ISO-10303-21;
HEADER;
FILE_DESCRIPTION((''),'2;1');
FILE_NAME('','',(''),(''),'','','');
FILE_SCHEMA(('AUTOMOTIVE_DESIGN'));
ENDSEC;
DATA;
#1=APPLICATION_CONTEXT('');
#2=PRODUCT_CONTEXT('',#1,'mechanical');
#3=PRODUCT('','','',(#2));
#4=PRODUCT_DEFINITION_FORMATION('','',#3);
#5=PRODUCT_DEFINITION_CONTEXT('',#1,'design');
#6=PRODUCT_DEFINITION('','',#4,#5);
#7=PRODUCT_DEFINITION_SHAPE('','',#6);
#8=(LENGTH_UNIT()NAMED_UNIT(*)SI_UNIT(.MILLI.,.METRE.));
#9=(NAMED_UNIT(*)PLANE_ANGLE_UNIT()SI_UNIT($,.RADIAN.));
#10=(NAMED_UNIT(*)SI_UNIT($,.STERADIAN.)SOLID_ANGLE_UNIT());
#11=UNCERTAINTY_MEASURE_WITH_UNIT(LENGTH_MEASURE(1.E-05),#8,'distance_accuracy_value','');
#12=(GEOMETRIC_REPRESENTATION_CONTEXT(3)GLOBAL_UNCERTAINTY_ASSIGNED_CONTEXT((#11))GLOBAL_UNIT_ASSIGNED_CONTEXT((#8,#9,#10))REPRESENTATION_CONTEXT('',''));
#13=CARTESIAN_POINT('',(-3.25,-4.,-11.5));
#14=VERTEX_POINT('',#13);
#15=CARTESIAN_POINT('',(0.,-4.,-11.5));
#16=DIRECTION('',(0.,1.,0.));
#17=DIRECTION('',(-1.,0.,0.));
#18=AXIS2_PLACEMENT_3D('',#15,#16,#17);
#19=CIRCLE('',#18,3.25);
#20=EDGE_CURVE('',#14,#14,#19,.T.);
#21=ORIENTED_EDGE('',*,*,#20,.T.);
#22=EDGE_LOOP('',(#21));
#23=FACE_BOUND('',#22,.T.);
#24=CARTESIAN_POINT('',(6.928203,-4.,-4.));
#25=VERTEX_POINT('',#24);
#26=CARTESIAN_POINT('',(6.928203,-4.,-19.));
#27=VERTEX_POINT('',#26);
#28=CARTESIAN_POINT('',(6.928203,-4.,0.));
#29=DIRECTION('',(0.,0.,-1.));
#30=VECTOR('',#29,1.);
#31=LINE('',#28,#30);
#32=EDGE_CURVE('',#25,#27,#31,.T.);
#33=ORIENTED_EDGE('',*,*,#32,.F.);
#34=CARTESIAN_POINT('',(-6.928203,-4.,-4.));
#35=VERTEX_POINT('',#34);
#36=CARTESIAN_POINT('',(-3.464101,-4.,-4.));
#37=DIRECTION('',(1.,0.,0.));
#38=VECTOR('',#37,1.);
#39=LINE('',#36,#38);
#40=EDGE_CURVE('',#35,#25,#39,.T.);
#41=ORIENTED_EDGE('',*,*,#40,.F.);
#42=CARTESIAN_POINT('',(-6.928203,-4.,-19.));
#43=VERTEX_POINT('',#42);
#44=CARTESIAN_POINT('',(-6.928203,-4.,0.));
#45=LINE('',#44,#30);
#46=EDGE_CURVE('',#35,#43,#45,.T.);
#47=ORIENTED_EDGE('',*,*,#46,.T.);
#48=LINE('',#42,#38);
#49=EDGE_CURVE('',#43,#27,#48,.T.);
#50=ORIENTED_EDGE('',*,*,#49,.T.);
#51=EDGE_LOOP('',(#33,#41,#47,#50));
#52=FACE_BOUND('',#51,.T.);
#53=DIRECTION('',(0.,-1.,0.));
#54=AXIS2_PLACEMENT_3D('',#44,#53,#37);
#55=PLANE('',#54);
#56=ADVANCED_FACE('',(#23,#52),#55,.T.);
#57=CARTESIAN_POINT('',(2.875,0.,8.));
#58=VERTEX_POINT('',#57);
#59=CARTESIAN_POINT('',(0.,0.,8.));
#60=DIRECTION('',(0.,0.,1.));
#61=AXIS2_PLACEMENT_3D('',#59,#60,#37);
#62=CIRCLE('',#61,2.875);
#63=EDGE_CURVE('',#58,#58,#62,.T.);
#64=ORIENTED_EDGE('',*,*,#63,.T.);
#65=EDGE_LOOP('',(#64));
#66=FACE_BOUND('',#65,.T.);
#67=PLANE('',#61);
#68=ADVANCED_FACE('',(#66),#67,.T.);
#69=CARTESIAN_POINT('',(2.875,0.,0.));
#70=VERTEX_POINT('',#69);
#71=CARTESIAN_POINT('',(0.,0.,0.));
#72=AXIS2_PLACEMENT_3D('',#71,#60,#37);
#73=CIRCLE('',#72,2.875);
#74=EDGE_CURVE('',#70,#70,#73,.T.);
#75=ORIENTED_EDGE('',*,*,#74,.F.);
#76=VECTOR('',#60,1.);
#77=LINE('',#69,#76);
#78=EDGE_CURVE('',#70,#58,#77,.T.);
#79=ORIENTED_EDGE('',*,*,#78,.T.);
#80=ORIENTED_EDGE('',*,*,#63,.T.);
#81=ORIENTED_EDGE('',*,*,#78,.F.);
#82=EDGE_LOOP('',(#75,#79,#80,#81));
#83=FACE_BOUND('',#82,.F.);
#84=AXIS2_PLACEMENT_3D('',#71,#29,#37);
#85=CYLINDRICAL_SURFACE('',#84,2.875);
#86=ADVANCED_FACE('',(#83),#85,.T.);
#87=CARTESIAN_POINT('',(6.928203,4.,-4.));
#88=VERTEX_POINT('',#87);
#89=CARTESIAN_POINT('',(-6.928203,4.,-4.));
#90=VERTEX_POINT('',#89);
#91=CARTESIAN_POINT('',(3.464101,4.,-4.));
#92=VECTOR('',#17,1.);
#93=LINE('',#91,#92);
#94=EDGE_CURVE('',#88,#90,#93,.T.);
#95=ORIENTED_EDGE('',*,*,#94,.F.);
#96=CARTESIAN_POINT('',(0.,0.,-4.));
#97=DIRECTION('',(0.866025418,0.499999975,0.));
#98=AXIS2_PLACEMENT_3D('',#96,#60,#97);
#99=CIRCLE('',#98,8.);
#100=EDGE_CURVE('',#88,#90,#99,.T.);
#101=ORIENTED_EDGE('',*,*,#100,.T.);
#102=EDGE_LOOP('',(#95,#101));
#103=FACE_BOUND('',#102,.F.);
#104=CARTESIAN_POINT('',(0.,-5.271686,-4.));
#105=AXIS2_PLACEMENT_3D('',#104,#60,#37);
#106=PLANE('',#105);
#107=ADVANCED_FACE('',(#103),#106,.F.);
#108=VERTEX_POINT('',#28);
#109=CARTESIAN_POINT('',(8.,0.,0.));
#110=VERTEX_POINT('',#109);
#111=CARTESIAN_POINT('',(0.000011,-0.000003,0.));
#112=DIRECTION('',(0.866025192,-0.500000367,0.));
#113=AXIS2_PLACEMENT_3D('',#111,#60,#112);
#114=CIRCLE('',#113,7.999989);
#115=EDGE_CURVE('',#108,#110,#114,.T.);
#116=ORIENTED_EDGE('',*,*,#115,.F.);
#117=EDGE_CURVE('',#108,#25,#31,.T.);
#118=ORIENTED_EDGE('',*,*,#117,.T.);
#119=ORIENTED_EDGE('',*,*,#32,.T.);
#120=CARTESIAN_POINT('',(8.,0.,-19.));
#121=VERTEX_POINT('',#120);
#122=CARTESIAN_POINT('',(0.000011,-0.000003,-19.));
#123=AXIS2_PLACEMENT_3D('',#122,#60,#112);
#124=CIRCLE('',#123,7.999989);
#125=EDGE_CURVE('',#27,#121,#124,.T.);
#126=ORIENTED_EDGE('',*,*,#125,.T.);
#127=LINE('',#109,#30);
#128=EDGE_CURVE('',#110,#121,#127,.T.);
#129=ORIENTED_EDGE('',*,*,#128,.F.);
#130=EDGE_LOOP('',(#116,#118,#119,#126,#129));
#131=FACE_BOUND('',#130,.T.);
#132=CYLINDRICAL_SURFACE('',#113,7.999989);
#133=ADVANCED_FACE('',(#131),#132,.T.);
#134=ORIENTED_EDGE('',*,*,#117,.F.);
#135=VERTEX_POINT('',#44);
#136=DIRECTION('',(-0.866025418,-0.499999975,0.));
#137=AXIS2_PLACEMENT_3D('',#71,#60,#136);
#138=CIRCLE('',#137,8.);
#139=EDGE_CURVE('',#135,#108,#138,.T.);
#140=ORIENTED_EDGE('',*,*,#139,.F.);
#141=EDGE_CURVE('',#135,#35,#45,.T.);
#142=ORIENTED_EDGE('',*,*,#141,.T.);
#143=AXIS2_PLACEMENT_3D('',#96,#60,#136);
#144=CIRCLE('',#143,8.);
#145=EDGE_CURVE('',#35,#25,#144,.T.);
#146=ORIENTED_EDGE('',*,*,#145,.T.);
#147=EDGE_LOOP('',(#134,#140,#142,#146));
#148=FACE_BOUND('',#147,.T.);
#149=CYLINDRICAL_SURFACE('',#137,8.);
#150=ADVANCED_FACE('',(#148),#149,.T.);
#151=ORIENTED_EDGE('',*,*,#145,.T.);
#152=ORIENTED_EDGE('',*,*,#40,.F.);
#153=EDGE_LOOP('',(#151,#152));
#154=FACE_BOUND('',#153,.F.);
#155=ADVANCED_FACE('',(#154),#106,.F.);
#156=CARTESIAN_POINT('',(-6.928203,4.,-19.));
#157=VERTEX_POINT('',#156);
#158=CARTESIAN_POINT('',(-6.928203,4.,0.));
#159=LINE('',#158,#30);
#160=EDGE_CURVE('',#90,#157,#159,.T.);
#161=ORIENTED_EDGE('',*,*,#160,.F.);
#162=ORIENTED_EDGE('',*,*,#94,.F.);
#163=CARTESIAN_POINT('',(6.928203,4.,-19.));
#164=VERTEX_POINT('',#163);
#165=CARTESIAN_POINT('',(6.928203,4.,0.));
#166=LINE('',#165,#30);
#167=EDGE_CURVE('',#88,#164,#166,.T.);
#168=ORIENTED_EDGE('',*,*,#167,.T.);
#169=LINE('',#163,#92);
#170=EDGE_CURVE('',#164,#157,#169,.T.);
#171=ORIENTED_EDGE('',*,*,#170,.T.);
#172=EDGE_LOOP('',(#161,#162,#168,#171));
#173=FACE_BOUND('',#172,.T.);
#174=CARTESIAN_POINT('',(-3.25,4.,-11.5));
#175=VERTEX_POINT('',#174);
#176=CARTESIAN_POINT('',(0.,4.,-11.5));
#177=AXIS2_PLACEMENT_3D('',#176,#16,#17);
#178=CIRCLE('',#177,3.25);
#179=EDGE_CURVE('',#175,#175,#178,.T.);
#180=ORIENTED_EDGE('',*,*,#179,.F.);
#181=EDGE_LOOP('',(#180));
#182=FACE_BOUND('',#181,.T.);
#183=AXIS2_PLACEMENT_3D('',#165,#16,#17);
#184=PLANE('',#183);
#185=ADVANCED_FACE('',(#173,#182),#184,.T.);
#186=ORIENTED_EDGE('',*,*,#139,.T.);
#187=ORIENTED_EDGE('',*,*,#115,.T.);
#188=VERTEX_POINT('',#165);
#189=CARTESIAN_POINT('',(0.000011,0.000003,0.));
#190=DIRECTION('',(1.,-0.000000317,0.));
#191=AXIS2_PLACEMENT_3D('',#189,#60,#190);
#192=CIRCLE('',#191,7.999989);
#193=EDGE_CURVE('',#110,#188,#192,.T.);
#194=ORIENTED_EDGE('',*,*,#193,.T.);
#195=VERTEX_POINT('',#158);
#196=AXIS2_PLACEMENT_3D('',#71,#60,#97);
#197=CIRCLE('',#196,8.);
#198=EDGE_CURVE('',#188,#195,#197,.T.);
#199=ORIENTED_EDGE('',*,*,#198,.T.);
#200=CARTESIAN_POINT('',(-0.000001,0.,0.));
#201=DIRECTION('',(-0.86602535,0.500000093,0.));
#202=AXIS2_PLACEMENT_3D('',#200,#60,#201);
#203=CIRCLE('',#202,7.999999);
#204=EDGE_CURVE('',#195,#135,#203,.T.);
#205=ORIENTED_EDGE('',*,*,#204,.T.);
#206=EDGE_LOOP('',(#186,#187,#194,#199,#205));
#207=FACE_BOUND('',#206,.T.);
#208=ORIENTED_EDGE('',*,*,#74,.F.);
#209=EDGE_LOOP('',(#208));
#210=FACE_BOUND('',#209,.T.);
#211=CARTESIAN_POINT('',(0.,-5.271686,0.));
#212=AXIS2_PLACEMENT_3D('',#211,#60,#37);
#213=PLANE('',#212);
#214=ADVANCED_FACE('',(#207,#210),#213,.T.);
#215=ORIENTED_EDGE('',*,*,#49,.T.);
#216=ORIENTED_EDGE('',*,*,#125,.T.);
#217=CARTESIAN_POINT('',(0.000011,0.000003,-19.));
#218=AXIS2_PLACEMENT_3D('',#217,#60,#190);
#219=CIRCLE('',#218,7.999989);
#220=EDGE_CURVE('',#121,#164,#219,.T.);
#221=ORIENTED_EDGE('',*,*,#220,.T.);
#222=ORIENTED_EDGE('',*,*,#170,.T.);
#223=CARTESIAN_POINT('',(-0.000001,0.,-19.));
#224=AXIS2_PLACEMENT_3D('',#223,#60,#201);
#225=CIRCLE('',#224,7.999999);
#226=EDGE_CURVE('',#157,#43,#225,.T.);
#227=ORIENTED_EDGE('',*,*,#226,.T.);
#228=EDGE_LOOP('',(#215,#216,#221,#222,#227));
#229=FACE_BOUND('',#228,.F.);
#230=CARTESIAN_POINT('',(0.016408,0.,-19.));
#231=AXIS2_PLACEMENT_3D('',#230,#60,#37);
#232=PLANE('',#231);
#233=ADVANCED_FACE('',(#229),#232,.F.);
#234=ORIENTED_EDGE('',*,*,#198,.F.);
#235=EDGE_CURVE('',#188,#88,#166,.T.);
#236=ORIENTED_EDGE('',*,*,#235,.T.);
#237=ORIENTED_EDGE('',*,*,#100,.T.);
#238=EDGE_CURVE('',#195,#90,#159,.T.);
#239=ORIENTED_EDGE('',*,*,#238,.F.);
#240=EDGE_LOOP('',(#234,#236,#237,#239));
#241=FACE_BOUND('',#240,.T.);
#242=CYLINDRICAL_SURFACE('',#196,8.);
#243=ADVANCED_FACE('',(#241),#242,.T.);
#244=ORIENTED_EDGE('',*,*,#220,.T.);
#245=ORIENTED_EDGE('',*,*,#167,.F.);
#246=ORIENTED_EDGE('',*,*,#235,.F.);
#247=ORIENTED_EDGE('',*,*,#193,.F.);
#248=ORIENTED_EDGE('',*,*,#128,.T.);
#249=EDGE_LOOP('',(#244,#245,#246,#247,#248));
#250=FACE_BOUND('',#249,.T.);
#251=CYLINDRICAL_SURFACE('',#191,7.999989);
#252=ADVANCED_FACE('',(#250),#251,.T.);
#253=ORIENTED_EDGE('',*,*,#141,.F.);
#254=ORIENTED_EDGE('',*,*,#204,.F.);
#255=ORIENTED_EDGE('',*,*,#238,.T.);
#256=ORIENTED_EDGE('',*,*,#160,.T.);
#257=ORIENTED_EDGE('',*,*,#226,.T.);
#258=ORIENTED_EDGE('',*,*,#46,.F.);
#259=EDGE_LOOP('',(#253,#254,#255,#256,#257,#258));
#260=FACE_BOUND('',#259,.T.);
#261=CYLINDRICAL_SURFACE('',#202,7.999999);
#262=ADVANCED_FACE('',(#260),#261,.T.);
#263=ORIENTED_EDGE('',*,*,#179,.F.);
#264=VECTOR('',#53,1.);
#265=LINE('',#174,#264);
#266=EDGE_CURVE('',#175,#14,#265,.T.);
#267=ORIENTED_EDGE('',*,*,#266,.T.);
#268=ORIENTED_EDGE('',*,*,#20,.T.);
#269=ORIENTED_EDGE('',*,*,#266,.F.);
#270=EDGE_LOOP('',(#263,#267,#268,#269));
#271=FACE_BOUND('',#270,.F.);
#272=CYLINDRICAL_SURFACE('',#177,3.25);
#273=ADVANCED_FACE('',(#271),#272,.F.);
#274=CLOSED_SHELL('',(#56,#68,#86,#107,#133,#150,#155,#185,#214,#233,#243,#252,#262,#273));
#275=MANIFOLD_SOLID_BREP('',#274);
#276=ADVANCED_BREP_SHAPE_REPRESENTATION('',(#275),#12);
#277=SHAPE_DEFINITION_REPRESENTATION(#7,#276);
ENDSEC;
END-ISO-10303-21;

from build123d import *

# Parameters (mm, degrees)
F0_R     = 2.875
F1_DEPTH = 8
F2_DEPTH = 4
F3_DEPTH = 19
F4_R     = 3.25
F5_DEPTH = 25


with BuildPart() as f1:
    # F0 (on Top) → F1 (new body)
    with BuildSketch(Plane.XY):
        Circle(F0_R)
    extrude(amount=F1_DEPTH)

    # F0 (on Top) → F2 (join)
    with BuildSketch(Plane.XY):
        with BuildLine():
            ThreePointArc((-6.928203, -4), (0, -8), (6.928203, -4))
            Line((6.928203, -4), (-6.928203, -4))
        make_face()
        with BuildLine():
            Line((-6.928203, 4), (6.928203, 4))
            ThreePointArc((6.928203, 4), (0, 8), (-6.928203, 4))
        make_face()
        with BuildLine():
            ThreePointArc((6.928203, -4), (7.727407, -2.070552), (8, 0))
            ThreePointArc((8, 0), (7.727407, 2.070552), (6.928203, 4))
            Line((6.928203, 4), (-6.928203, 4))
            ThreePointArc((-6.928203, 4), (-8, 0), (-6.928203, -4))
            Line((-6.928203, -4), (6.928203, -4))
        make_face()
        Circle(F0_R, mode=Mode.SUBTRACT)
        Circle(F0_R)
    extrude(amount=-F2_DEPTH)

    # F0 (on Top) → F3 (join)
    with BuildSketch(Plane.XY):
        with BuildLine():
            ThreePointArc((6.928203, -4), (7.727407, -2.070552), (8, 0))
            ThreePointArc((8, 0), (7.727407, 2.070552), (6.928203, 4))
            Line((6.928203, 4), (-6.928203, 4))
            ThreePointArc((-6.928203, 4), (-8, 0), (-6.928203, -4))
            Line((-6.928203, -4), (6.928203, -4))
        make_face()
        Circle(F0_R, mode=Mode.SUBTRACT)
        Circle(F0_R)
    extrude(amount=-F3_DEPTH)

    # F4 (on face) → F5 (cut)
    with BuildSketch(Plane(origin=(0, 4, 0), x_dir=(-1, 0, 0), z_dir=(0, 1, 0))):
        with Locations((0, -11.5)):
            Circle(F4_R)
    extrude(amount=-F5_DEPTH, mode=Mode.SUBTRACT)


solid = f1.part
